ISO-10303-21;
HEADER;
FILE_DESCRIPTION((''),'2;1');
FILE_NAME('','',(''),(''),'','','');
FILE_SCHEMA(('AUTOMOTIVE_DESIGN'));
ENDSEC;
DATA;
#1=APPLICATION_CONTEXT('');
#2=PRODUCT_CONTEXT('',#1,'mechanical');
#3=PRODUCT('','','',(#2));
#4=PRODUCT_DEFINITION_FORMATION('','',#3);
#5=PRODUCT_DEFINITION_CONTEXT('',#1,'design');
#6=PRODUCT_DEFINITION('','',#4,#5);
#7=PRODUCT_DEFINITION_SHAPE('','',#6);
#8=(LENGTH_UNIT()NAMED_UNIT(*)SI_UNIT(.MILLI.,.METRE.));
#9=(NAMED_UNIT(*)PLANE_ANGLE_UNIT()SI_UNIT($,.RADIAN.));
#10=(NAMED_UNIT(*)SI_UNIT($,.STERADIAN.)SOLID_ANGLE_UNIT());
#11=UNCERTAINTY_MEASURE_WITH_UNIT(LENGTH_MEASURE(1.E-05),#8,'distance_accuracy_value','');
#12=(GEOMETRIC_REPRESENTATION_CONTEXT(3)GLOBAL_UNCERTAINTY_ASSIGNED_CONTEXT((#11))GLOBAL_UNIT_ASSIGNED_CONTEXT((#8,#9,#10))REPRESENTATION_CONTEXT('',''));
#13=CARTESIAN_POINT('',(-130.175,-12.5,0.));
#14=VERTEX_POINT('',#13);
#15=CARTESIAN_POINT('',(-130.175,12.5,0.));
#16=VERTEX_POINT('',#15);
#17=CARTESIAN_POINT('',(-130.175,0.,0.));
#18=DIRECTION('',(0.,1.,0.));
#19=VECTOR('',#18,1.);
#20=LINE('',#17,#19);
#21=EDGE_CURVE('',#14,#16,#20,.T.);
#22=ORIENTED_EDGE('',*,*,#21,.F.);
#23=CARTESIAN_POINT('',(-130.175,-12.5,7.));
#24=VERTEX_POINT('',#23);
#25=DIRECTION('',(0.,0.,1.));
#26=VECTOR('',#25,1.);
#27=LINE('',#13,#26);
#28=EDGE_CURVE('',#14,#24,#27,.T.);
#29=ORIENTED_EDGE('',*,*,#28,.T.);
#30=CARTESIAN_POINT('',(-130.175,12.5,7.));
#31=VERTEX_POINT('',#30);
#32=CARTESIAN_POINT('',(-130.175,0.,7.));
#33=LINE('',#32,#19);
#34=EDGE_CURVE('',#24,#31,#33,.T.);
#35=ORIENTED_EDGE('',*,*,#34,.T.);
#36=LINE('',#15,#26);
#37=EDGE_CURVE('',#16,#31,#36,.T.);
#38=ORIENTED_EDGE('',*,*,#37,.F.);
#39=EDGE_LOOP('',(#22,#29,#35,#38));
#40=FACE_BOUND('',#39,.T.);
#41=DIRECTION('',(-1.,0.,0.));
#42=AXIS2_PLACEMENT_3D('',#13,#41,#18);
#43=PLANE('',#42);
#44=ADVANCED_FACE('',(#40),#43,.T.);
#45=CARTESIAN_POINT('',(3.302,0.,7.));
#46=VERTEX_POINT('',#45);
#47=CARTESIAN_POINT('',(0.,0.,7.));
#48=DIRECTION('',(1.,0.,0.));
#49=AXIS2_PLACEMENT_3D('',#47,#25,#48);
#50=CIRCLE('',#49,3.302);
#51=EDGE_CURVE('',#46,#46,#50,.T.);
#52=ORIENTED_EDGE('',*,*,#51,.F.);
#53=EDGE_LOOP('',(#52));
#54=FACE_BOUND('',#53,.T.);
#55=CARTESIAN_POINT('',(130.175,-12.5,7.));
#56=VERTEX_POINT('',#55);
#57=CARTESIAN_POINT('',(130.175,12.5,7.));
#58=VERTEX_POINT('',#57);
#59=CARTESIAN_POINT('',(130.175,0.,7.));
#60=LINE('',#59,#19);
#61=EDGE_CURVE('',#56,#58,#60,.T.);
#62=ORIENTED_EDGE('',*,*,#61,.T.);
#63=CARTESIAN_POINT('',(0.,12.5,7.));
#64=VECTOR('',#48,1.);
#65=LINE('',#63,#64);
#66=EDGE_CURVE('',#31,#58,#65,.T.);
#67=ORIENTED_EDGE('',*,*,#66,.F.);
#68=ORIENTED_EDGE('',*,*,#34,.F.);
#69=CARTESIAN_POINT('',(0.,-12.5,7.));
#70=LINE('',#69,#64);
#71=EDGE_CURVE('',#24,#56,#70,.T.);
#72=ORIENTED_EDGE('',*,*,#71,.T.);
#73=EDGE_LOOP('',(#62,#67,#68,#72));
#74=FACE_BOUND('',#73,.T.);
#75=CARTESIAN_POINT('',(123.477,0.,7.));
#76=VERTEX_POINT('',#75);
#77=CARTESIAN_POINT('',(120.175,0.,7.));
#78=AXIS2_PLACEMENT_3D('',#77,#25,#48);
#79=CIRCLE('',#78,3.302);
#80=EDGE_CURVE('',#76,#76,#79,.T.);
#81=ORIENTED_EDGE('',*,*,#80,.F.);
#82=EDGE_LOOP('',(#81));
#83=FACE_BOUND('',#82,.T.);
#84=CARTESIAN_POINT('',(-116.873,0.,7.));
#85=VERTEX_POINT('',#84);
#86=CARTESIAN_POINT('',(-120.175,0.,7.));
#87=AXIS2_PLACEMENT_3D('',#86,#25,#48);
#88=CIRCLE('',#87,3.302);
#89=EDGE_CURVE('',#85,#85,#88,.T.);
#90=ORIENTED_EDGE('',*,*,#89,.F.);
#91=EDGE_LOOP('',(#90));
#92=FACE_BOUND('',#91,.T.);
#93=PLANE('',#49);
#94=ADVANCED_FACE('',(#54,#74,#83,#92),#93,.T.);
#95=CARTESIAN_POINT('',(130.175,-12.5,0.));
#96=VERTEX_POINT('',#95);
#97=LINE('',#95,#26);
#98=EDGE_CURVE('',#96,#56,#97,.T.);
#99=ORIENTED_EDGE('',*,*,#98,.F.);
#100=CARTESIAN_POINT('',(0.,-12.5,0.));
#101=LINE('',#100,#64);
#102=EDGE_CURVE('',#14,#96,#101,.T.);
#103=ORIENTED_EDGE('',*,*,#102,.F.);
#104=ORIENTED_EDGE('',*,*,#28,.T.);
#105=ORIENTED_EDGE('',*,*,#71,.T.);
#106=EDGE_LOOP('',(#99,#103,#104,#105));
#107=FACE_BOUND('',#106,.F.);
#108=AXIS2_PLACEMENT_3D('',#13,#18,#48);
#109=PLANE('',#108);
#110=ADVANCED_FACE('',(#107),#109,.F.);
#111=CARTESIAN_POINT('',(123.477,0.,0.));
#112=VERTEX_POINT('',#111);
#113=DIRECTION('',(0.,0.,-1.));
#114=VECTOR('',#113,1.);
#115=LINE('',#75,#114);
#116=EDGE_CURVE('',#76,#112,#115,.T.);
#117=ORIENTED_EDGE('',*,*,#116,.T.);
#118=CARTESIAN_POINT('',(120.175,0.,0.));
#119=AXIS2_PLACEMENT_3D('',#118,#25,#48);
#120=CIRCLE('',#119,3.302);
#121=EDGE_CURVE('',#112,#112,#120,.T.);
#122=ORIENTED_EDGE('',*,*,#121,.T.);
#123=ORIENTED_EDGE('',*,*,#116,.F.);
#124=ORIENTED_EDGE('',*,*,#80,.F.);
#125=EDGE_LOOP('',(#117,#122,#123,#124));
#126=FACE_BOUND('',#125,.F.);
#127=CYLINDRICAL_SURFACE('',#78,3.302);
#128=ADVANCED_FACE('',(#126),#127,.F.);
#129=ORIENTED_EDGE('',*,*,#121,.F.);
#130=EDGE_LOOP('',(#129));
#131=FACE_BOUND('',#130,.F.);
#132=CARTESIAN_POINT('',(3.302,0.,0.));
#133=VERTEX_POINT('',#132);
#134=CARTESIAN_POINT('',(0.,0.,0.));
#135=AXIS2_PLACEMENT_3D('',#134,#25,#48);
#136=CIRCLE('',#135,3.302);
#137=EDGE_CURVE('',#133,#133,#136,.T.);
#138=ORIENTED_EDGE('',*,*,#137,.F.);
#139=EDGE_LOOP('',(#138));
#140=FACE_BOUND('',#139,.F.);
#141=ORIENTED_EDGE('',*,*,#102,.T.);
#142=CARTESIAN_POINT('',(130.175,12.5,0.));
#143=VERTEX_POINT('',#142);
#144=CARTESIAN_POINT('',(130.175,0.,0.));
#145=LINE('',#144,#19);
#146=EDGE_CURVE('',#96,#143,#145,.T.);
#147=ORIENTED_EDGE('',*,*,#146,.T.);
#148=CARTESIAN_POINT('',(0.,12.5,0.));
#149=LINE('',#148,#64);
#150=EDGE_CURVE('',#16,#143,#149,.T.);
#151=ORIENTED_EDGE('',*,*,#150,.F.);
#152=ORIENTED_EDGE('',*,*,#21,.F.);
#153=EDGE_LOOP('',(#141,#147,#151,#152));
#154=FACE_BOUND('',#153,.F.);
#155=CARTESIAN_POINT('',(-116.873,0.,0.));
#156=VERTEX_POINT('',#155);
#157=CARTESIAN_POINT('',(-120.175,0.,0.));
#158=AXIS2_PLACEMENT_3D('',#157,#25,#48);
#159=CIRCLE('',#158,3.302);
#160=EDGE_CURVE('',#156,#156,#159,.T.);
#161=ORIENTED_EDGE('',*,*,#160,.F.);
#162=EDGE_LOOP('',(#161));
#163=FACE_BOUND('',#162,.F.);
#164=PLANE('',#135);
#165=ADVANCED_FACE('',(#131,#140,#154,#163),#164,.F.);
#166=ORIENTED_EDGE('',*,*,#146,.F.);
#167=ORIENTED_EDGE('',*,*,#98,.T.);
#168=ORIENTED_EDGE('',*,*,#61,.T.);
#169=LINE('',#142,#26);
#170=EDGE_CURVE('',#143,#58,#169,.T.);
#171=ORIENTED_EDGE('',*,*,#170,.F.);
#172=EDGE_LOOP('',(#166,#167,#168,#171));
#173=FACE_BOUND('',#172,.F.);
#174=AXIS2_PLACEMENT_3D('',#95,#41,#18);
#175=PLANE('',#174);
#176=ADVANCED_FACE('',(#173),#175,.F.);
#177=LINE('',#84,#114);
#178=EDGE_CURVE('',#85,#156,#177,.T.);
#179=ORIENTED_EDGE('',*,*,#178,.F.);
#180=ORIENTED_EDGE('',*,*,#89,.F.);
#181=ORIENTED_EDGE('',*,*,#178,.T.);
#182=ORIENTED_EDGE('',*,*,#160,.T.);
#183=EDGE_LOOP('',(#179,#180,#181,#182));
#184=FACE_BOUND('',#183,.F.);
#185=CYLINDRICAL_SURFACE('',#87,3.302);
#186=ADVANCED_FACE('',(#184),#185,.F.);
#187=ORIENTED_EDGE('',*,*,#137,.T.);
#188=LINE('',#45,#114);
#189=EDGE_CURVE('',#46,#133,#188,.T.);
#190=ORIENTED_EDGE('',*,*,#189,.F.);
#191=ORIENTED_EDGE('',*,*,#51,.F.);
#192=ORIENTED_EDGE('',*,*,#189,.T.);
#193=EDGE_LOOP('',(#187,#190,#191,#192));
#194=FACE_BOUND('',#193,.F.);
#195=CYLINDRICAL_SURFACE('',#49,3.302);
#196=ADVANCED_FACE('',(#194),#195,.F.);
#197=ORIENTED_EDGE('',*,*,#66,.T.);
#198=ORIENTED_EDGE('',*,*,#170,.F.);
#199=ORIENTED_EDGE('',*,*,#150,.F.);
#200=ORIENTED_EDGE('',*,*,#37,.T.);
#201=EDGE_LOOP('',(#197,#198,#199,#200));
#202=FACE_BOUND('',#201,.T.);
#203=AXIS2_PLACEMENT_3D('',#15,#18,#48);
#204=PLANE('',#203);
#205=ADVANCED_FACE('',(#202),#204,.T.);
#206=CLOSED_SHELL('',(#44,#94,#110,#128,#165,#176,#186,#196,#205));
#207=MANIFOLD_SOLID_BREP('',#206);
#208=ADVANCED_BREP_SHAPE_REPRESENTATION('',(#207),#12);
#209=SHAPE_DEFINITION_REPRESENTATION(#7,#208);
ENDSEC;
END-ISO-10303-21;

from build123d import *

# Parameters (mm, degrees)
F0_W     = 260.35
F0_H     = 25
F1_DEPTH = 7
F2_R     = 3.302
F3_DEPTH = 7


with BuildPart() as f1:
    # F0 (on Top) → F1 (new body)
    with BuildSketch(Plane.XY):
        Rectangle(F0_W, F0_H)
    extrude(amount=F1_DEPTH)

    # F2 (on face) → F3 (cut, through all)
    with BuildSketch(Plane.XY.offset(7)):
        with Locations((-120.175, 0)):
            Circle(F2_R)
        Circle(F2_R)
        with Locations((120.175, 0)):
            Circle(F2_R)
    extrude(amount=-F3_DEPTH, mode=Mode.SUBTRACT)


solid = f1.part
